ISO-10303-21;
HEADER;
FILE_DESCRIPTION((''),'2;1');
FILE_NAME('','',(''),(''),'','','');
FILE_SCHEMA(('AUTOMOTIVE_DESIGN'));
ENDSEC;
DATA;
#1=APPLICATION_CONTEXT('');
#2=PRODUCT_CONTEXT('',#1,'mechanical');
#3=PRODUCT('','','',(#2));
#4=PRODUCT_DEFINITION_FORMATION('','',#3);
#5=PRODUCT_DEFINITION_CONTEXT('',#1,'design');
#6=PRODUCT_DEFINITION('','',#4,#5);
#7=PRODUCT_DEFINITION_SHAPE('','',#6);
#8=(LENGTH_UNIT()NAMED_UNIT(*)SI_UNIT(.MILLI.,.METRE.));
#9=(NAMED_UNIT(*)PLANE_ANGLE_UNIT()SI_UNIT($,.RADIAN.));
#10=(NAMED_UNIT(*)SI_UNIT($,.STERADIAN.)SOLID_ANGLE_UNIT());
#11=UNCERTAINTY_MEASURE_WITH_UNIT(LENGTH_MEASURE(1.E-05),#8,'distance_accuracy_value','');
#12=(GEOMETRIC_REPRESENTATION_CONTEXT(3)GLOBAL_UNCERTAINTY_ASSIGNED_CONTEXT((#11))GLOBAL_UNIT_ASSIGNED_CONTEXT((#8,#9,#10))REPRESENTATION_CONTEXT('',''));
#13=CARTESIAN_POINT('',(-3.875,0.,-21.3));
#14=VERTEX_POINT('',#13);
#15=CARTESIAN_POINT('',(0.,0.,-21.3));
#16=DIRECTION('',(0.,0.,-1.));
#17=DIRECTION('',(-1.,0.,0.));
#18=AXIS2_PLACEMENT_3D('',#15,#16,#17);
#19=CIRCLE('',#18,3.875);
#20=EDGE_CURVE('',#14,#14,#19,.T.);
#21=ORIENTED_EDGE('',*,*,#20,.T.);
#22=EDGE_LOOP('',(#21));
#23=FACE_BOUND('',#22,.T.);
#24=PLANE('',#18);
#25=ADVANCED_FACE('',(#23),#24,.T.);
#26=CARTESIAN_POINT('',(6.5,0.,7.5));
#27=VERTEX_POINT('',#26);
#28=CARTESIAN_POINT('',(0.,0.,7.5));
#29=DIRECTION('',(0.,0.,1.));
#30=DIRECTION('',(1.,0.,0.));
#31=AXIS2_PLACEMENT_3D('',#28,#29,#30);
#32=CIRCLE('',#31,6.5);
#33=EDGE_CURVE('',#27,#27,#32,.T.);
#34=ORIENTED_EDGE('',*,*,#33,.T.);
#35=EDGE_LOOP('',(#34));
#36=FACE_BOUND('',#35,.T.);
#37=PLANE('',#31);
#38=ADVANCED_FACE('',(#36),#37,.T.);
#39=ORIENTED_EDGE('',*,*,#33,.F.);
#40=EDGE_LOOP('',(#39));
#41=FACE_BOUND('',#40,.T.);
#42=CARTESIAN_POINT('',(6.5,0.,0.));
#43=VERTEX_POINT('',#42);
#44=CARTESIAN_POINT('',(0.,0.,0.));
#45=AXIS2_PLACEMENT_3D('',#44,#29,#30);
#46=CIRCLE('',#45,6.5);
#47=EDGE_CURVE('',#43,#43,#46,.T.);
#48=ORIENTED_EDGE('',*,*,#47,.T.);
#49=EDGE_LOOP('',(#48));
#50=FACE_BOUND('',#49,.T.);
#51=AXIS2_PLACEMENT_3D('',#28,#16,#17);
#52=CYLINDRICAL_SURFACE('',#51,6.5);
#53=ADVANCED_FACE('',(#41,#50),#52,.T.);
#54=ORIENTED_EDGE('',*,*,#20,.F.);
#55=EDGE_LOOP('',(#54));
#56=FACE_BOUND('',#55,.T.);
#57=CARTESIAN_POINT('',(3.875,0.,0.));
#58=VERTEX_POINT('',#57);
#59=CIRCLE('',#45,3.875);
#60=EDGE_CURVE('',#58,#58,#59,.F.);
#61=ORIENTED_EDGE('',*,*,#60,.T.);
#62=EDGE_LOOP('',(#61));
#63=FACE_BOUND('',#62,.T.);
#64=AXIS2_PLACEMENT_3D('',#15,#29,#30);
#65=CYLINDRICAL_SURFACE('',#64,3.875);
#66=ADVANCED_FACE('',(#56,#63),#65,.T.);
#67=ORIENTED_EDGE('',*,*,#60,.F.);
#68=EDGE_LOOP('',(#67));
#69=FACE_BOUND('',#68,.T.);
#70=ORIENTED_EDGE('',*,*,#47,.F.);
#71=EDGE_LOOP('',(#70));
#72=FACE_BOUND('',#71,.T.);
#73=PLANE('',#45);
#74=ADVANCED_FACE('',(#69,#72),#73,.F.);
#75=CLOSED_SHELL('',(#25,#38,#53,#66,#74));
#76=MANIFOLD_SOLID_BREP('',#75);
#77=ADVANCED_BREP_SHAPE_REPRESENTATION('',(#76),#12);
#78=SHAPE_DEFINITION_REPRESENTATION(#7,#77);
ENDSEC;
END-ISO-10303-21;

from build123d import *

# Parameters (mm, degrees)
SKETCH1_R           = 6.5
BOSS_EXTRUDE1_DEPTH = 7.5
SKETCH2_R           = 3.875
BOSS_EXTRUDE2_DEPTH = 21.3


with BuildPart() as part:
    # Sketch1 → Boss-Extrude1 (new body)
    with BuildSketch(Plane.XY):
        Circle(SKETCH1_R)
    extrude(amount=BOSS_EXTRUDE1_DEPTH)

    # Sketch2 → Boss-Extrude2 (add)
    with BuildSketch(Plane(origin=(0, 0, 0), x_dir=(-1, 0, 0), z_dir=(0, 0, -1))):
        Circle(SKETCH2_R)
    extrude(amount=BOSS_EXTRUDE2_DEPTH)


solid = part.part
